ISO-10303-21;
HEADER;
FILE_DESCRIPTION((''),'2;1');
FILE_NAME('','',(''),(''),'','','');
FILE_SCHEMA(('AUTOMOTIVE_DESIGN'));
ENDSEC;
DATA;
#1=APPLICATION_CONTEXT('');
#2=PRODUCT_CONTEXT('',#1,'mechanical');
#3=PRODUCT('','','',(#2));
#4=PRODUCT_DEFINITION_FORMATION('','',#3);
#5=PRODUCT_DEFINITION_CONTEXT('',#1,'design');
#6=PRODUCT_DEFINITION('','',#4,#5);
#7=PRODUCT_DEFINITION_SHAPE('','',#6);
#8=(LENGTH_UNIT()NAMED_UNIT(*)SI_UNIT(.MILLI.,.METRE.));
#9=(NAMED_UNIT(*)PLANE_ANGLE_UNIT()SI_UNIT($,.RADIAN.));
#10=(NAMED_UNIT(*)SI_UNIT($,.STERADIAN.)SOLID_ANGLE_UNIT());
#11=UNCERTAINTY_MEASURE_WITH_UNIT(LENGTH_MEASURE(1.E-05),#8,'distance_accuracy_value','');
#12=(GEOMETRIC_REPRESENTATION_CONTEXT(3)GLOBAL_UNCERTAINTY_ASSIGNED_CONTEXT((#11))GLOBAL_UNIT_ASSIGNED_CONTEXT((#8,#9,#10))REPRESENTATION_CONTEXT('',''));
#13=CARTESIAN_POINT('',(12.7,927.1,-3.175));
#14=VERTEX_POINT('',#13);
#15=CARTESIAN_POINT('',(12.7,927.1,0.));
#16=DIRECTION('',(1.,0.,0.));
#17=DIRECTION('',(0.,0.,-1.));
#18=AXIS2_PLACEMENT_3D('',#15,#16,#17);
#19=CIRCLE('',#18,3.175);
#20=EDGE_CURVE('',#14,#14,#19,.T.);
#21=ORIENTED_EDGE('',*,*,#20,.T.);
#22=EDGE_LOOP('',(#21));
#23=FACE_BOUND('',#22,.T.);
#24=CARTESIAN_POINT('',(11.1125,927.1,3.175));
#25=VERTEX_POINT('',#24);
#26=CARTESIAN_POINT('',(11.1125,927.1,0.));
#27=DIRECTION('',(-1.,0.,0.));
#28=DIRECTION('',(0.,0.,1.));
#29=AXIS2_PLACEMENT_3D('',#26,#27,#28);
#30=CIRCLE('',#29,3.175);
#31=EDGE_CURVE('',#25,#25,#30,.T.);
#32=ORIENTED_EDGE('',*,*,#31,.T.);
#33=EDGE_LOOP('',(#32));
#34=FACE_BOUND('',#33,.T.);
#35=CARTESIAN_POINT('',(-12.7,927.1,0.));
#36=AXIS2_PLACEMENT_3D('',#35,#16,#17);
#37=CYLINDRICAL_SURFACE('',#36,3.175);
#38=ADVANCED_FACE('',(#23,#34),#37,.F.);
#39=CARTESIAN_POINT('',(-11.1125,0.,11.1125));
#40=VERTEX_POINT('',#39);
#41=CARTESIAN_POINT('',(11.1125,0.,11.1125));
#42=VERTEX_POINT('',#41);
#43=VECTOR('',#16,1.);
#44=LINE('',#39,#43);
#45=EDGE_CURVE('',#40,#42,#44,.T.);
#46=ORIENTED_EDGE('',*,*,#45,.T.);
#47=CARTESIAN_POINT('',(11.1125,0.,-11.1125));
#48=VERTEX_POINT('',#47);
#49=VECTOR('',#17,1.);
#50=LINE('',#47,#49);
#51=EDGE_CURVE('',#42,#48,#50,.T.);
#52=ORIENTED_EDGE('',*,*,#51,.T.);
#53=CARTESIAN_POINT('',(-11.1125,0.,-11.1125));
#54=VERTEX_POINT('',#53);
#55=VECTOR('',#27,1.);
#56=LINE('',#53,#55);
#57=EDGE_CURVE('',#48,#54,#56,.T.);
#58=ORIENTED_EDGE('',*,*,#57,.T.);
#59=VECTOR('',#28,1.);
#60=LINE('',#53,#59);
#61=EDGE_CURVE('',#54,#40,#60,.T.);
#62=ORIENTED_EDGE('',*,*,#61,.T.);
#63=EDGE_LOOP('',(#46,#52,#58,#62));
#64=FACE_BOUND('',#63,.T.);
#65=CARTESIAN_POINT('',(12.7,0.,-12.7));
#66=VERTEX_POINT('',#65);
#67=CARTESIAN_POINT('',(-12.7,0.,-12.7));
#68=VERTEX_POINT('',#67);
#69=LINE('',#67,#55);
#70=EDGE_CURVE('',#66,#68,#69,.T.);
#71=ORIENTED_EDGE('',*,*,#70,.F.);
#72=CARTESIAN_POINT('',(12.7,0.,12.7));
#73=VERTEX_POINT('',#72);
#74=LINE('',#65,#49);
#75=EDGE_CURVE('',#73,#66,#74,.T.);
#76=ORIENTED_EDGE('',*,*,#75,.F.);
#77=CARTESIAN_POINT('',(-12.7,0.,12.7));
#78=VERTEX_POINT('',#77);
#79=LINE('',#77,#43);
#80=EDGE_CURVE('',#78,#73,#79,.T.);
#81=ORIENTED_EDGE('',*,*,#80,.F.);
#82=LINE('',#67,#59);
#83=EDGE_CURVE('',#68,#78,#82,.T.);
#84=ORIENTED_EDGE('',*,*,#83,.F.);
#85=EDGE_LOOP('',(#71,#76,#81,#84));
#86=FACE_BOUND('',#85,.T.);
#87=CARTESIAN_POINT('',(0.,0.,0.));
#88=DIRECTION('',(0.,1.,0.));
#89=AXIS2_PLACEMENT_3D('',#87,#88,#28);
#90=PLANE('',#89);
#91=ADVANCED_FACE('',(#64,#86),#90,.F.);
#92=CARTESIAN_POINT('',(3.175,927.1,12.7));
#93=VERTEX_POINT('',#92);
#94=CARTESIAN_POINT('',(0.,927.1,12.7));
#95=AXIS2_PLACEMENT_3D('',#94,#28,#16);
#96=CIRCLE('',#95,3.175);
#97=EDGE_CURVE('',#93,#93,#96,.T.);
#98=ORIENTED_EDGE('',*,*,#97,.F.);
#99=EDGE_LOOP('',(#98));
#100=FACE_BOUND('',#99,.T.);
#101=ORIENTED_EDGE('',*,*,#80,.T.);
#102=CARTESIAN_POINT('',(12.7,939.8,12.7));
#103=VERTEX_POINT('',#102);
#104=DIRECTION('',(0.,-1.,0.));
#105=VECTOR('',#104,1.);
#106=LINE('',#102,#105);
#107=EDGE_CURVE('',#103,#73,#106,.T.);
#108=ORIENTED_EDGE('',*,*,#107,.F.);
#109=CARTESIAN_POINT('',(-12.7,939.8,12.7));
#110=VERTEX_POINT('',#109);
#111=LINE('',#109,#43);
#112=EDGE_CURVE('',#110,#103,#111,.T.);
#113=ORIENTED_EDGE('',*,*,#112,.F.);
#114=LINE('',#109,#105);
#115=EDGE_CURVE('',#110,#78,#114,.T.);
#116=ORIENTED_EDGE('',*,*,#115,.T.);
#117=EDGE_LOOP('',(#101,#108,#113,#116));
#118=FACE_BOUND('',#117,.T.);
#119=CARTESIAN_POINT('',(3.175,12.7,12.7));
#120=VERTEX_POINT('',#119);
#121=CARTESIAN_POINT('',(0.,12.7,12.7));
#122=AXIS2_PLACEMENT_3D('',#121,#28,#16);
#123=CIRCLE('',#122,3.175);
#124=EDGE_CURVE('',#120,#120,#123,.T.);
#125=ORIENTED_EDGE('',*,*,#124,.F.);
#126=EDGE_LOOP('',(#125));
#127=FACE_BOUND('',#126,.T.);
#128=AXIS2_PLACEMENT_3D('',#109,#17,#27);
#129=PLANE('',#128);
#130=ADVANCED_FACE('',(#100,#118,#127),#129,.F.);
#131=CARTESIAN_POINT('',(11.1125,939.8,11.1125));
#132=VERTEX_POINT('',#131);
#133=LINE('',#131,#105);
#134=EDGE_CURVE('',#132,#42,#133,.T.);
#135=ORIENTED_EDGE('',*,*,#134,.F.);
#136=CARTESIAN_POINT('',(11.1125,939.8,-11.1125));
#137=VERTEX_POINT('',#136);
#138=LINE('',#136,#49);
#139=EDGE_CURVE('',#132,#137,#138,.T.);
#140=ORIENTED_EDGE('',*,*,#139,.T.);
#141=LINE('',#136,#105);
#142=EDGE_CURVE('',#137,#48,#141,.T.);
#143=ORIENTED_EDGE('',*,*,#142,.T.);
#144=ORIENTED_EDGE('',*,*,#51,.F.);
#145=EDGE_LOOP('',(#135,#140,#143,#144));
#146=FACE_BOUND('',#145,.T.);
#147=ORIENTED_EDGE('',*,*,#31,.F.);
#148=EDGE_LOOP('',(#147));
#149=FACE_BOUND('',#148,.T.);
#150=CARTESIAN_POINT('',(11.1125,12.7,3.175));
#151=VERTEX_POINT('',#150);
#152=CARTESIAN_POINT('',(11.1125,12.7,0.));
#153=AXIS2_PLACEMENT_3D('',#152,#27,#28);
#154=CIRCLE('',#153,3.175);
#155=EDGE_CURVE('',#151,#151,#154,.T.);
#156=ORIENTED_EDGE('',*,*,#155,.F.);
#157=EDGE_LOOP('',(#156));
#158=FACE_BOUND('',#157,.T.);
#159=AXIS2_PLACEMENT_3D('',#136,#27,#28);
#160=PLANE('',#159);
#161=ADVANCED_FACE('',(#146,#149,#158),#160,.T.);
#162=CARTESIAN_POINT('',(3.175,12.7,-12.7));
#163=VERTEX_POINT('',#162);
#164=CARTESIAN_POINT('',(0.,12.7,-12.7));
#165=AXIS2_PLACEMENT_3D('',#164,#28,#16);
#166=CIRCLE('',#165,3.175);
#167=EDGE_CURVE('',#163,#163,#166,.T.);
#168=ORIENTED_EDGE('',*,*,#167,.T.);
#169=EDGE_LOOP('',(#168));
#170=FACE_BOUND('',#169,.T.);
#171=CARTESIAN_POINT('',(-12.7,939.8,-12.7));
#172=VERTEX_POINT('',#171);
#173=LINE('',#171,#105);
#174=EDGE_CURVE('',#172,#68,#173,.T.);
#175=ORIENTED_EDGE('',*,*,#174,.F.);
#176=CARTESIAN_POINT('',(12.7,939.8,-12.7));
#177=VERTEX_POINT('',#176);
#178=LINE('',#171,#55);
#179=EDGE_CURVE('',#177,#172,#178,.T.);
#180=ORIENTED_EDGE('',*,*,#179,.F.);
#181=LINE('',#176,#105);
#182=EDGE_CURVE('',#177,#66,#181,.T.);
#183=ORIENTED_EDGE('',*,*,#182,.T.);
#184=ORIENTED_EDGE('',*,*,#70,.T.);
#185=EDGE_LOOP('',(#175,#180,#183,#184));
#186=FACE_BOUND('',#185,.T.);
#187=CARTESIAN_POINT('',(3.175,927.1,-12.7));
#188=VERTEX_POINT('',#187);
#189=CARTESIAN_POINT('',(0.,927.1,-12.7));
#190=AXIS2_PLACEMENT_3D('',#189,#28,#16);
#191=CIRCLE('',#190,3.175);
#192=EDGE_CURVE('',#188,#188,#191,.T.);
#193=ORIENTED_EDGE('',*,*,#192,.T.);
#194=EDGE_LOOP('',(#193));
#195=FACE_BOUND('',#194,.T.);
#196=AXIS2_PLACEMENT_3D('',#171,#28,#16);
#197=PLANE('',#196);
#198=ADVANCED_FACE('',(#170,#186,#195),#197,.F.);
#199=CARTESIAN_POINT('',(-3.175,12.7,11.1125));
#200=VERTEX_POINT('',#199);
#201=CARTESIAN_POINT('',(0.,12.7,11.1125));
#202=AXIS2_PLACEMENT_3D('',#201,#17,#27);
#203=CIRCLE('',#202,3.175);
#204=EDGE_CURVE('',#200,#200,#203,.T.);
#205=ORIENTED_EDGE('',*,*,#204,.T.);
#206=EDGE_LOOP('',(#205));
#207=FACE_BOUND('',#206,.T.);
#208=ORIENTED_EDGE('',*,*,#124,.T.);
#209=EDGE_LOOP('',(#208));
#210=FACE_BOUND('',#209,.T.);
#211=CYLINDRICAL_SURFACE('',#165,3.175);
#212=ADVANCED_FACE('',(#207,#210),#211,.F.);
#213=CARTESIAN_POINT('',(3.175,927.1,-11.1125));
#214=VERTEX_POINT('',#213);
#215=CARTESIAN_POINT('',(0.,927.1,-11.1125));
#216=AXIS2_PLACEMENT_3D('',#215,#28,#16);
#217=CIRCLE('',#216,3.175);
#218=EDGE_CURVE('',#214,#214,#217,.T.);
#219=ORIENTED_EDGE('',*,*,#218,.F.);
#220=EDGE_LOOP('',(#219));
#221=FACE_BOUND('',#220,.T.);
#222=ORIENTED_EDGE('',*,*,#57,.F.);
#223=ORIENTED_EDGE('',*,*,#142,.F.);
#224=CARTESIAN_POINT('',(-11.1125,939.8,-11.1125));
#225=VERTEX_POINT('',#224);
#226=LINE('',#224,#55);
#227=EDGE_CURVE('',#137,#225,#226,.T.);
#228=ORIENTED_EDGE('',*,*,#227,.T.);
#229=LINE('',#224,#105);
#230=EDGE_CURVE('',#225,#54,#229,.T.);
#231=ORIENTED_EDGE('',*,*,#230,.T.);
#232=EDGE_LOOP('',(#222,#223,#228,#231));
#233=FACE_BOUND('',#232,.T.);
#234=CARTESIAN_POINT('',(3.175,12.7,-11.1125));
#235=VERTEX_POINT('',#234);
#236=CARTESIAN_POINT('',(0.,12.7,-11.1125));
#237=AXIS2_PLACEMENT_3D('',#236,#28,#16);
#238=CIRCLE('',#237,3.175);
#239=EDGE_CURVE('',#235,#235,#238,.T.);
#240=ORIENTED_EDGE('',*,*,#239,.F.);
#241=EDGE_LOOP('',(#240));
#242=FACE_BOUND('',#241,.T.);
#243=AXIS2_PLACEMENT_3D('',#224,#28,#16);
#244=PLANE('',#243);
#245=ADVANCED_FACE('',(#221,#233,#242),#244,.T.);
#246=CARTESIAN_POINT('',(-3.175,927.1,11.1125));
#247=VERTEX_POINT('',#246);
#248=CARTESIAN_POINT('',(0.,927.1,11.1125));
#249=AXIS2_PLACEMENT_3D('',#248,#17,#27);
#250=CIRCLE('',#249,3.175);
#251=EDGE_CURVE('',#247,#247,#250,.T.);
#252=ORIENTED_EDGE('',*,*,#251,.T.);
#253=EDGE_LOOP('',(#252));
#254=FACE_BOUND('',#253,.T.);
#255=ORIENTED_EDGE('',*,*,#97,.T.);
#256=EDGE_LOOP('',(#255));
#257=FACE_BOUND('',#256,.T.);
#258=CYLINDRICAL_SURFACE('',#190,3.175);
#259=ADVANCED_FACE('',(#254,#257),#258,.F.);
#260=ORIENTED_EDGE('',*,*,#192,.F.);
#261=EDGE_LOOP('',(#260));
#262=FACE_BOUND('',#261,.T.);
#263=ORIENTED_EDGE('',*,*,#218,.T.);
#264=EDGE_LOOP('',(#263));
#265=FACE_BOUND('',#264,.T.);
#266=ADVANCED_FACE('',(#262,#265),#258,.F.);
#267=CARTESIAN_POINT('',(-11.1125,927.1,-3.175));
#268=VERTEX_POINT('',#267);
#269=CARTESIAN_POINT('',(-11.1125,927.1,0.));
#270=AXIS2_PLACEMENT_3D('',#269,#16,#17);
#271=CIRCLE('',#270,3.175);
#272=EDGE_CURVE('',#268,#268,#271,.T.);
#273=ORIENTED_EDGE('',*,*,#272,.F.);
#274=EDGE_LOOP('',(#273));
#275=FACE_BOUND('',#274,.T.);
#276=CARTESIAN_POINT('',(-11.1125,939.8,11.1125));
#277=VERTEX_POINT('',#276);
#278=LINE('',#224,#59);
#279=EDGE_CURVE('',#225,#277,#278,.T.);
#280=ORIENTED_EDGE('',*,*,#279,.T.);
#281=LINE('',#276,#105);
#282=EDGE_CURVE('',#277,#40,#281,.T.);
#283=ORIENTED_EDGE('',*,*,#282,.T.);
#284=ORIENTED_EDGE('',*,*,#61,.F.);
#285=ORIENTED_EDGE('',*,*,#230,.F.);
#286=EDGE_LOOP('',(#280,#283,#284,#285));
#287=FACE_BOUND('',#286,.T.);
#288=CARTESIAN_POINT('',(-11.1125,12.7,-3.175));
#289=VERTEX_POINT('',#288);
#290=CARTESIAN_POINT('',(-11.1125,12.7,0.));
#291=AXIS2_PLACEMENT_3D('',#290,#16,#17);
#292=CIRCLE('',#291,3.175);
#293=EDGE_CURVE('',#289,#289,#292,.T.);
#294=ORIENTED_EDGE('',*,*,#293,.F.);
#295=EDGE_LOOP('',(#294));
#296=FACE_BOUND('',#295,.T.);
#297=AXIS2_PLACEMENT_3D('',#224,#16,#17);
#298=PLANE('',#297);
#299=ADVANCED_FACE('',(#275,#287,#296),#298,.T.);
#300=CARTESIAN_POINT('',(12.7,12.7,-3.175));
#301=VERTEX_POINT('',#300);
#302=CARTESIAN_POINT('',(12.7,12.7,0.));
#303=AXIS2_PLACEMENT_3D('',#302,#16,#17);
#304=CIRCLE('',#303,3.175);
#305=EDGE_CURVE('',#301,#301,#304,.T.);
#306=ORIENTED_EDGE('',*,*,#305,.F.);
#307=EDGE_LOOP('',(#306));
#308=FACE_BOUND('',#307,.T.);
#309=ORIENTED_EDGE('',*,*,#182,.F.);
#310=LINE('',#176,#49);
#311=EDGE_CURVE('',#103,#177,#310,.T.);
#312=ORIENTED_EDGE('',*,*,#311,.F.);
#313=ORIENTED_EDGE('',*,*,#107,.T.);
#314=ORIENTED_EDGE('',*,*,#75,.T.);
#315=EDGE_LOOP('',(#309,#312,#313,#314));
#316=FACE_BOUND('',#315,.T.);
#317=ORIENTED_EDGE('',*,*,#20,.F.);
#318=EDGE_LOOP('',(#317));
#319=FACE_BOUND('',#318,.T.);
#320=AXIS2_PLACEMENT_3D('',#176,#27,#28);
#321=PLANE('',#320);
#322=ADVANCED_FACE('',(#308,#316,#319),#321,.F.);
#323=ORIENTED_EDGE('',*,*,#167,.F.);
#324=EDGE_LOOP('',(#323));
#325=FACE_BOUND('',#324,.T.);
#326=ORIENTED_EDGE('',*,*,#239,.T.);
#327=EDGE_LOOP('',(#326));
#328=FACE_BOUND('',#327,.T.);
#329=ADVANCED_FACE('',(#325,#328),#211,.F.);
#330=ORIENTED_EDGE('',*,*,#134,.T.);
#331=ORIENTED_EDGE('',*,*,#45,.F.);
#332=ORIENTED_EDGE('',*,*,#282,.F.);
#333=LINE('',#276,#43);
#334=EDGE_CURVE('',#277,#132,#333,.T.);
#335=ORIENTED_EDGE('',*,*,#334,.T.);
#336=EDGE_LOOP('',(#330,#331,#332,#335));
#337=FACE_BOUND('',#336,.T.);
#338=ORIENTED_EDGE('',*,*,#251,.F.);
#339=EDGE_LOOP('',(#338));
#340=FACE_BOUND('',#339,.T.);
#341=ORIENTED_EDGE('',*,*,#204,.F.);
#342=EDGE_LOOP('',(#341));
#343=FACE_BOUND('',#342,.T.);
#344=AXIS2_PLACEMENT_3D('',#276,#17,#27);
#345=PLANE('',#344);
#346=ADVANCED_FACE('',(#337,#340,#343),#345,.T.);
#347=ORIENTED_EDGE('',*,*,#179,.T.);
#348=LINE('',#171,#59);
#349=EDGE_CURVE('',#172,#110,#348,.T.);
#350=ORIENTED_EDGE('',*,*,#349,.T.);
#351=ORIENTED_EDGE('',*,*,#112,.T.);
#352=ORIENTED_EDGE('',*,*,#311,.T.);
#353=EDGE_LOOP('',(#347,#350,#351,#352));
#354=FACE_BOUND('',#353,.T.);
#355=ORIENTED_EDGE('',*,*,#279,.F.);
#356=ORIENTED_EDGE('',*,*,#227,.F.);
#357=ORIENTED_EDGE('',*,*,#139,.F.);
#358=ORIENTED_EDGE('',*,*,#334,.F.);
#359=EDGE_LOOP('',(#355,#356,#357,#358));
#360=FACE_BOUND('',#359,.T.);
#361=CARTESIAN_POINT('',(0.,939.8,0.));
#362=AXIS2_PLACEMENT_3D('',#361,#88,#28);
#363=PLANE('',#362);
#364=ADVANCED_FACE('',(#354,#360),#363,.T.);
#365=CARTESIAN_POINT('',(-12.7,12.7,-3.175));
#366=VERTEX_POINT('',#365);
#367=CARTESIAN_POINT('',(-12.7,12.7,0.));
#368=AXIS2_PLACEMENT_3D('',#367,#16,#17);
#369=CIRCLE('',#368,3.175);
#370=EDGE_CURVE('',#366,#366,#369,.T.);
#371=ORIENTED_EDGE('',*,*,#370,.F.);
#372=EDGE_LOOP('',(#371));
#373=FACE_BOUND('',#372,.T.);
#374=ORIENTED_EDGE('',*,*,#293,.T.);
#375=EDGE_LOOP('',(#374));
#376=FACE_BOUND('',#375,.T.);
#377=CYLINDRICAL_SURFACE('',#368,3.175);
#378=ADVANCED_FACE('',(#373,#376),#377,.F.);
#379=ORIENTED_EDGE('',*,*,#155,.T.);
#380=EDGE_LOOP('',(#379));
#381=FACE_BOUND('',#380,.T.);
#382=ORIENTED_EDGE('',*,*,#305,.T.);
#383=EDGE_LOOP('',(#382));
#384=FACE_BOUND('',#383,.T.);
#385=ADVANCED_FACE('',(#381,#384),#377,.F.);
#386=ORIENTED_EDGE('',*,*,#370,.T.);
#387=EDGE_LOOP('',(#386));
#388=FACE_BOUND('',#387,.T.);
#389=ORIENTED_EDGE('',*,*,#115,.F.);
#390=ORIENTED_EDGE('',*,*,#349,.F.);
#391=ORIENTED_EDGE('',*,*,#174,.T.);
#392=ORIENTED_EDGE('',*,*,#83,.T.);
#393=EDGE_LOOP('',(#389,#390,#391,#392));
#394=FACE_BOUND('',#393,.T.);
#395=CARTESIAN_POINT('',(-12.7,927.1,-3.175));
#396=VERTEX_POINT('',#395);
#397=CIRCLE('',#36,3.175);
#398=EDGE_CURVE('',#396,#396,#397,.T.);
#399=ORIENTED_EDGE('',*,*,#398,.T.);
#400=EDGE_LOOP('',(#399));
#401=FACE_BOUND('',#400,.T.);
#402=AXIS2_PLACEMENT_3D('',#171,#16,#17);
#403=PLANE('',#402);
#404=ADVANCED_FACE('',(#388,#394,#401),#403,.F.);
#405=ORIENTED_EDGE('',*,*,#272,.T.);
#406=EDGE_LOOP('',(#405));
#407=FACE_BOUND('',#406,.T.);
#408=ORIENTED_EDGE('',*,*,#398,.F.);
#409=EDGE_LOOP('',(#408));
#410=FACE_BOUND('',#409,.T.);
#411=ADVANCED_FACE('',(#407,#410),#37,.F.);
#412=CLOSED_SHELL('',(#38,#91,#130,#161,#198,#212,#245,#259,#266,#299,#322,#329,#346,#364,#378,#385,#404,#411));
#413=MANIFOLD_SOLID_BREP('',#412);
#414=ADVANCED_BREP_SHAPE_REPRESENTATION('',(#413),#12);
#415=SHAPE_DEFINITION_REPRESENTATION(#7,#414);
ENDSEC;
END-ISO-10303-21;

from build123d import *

# Parameters (mm, degrees)
SKETCH1_W           = 25.4
SKETCH1_H           = 25.4
SKETCH1_W_2         = 22.225
SKETCH1_H_2         = 22.225
BOSS_EXTRUDE1_DEPTH = 939.8
SKETCH2_R           = 3.175
CUT_EXTRUDE1_DEPTH  = 26.4
SKETCH3_R           = 3.175
CUT_EXTRUDE2_DEPTH  = 26.4


with BuildPart() as part:
    # Sketch1 → Boss-Extrude1 (new body)
    with BuildSketch(Plane(origin=(0, 0, 0), x_dir=(1, 0, 0), z_dir=(0, 1, 0))):
        Rectangle(SKETCH1_W, SKETCH1_H)
        Rectangle(SKETCH1_W_2, SKETCH1_H_2, mode=Mode.SUBTRACT)
    extrude(amount=BOSS_EXTRUDE1_DEPTH)

    # Sketch2 → Cut-Extrude1 (cut, through all)
    with BuildSketch(Plane(origin=(12.7, 0, 0), x_dir=(0, 0, -1), z_dir=(1, 0, 0))):
        with Locations((0, 12.7)):
            Circle(SKETCH2_R)
        with Locations((0, 927.1)):
            Circle(SKETCH2_R)
    extrude(amount=-CUT_EXTRUDE1_DEPTH, mode=Mode.SUBTRACT)

    # Sketch3 → Cut-Extrude2 (cut, through all)
    with BuildSketch(Plane.XY.offset(12.7)):
        with Locations((0, 12.7)):
            Circle(SKETCH3_R)
        with Locations((0, 927.1)):
            Circle(SKETCH3_R)
    extrude(amount=-CUT_EXTRUDE2_DEPTH, mode=Mode.SUBTRACT)


solid = part.part
